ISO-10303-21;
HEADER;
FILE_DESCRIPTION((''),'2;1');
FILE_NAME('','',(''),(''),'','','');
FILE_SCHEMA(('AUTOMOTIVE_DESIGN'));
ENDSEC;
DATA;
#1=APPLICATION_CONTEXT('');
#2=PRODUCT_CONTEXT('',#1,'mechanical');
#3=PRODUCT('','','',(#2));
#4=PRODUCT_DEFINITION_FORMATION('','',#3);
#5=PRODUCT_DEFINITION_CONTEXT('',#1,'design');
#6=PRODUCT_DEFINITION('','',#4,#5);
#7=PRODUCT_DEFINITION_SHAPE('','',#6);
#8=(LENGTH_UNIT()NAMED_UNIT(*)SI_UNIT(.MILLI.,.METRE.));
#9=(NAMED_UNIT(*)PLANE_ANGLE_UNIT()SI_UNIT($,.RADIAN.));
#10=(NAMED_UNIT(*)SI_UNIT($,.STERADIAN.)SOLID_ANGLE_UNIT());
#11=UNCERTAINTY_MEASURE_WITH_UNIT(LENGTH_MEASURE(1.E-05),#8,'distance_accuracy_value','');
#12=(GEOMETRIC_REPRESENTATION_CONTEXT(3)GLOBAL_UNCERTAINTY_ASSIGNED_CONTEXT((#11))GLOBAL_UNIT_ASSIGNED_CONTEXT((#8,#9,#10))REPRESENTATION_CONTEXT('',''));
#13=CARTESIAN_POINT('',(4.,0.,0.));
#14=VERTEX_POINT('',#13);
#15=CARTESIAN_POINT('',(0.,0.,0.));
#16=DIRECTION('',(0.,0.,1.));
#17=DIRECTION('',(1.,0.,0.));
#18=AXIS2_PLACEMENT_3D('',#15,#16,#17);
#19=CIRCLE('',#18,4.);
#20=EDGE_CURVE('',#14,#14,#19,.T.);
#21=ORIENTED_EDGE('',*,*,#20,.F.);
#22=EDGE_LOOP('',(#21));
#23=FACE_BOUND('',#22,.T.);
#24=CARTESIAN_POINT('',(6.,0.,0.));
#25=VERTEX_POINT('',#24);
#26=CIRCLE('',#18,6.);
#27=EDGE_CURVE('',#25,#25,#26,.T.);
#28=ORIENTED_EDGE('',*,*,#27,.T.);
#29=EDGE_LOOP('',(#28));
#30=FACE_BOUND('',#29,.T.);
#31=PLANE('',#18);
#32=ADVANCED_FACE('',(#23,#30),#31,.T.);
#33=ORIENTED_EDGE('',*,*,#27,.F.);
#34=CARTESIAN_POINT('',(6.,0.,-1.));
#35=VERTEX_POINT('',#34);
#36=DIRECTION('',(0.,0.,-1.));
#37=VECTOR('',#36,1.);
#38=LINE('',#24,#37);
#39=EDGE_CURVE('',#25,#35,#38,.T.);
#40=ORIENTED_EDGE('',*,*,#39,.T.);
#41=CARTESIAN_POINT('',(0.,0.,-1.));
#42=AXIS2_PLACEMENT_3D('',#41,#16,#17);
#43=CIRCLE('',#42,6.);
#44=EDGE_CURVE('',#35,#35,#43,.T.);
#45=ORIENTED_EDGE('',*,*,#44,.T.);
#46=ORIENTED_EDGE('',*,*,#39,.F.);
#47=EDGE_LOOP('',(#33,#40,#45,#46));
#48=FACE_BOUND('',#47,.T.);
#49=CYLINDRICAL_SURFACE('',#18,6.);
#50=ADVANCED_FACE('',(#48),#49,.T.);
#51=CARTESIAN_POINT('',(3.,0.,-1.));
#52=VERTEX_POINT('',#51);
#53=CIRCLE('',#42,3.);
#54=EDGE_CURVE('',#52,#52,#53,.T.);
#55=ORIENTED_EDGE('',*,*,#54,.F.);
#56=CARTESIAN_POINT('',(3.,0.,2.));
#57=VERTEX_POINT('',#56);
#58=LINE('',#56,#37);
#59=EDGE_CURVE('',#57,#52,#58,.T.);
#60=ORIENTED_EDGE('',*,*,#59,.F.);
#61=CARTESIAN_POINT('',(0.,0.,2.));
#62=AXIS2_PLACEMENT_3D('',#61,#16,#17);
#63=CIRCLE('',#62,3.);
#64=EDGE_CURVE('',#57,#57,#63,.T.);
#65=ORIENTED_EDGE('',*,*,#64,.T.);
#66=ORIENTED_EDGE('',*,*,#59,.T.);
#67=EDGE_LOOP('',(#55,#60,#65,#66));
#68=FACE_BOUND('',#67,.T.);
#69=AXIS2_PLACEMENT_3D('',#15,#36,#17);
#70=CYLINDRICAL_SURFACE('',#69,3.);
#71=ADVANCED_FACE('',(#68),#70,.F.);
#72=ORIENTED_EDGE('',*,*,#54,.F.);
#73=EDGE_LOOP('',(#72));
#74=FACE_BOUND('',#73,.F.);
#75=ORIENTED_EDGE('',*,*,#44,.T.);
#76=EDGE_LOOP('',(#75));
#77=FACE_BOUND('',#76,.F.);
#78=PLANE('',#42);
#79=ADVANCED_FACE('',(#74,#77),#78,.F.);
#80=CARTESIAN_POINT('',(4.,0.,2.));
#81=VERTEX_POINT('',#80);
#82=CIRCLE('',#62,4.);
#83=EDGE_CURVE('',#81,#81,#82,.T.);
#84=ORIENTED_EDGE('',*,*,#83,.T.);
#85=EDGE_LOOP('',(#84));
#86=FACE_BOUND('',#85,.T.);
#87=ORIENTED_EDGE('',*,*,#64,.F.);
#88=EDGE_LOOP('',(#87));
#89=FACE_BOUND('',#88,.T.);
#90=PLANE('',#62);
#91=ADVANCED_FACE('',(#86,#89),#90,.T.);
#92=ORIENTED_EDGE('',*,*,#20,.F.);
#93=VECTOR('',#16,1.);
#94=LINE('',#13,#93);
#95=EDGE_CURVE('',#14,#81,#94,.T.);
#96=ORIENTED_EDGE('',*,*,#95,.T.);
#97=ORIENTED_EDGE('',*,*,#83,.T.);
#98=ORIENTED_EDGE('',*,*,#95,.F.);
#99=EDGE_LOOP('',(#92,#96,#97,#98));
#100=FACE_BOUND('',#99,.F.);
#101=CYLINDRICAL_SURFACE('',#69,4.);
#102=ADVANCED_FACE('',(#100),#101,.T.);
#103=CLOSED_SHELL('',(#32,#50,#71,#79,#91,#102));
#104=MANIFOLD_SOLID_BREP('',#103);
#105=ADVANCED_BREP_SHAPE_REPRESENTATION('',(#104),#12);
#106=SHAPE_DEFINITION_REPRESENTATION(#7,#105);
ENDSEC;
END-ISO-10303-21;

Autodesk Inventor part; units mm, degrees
ref_plane "YZ Plane" through (0, 0, 0) normal (1, 0, 0) x (0, 1, 0)
ref_plane "XZ Plane" through (0, 0, 0) normal (0, 1, 0) x (-1, 0, 0)
ref_plane "XY Plane" through (0, 0, 0) normal (0, 0, 1) x (1, 0, 0)
sketch "スケッチ1" plane through (0, 0, 0) normal (0, 0, 1) x (1, 0, 0)
  circle A0 centre (0, 0) radius 3
  circle A1 centre (0, 0) radius 4
  circle A2 centre (0, 0) radius 6
  dimension "d0" = 6
  dimension "d1" = 8
  dimension "d2" = 12
extrude "押し出し1" add sketch "スケッチ1" along normal blind 2 contours A1
extrude "押し出し2" add sketch "スケッチ1" against normal blind 1 contours A1 | A2
properties part number "オイレス　6-8-12　フランジ付き 長さ2mm" material "アセタール樹脂、黒"
